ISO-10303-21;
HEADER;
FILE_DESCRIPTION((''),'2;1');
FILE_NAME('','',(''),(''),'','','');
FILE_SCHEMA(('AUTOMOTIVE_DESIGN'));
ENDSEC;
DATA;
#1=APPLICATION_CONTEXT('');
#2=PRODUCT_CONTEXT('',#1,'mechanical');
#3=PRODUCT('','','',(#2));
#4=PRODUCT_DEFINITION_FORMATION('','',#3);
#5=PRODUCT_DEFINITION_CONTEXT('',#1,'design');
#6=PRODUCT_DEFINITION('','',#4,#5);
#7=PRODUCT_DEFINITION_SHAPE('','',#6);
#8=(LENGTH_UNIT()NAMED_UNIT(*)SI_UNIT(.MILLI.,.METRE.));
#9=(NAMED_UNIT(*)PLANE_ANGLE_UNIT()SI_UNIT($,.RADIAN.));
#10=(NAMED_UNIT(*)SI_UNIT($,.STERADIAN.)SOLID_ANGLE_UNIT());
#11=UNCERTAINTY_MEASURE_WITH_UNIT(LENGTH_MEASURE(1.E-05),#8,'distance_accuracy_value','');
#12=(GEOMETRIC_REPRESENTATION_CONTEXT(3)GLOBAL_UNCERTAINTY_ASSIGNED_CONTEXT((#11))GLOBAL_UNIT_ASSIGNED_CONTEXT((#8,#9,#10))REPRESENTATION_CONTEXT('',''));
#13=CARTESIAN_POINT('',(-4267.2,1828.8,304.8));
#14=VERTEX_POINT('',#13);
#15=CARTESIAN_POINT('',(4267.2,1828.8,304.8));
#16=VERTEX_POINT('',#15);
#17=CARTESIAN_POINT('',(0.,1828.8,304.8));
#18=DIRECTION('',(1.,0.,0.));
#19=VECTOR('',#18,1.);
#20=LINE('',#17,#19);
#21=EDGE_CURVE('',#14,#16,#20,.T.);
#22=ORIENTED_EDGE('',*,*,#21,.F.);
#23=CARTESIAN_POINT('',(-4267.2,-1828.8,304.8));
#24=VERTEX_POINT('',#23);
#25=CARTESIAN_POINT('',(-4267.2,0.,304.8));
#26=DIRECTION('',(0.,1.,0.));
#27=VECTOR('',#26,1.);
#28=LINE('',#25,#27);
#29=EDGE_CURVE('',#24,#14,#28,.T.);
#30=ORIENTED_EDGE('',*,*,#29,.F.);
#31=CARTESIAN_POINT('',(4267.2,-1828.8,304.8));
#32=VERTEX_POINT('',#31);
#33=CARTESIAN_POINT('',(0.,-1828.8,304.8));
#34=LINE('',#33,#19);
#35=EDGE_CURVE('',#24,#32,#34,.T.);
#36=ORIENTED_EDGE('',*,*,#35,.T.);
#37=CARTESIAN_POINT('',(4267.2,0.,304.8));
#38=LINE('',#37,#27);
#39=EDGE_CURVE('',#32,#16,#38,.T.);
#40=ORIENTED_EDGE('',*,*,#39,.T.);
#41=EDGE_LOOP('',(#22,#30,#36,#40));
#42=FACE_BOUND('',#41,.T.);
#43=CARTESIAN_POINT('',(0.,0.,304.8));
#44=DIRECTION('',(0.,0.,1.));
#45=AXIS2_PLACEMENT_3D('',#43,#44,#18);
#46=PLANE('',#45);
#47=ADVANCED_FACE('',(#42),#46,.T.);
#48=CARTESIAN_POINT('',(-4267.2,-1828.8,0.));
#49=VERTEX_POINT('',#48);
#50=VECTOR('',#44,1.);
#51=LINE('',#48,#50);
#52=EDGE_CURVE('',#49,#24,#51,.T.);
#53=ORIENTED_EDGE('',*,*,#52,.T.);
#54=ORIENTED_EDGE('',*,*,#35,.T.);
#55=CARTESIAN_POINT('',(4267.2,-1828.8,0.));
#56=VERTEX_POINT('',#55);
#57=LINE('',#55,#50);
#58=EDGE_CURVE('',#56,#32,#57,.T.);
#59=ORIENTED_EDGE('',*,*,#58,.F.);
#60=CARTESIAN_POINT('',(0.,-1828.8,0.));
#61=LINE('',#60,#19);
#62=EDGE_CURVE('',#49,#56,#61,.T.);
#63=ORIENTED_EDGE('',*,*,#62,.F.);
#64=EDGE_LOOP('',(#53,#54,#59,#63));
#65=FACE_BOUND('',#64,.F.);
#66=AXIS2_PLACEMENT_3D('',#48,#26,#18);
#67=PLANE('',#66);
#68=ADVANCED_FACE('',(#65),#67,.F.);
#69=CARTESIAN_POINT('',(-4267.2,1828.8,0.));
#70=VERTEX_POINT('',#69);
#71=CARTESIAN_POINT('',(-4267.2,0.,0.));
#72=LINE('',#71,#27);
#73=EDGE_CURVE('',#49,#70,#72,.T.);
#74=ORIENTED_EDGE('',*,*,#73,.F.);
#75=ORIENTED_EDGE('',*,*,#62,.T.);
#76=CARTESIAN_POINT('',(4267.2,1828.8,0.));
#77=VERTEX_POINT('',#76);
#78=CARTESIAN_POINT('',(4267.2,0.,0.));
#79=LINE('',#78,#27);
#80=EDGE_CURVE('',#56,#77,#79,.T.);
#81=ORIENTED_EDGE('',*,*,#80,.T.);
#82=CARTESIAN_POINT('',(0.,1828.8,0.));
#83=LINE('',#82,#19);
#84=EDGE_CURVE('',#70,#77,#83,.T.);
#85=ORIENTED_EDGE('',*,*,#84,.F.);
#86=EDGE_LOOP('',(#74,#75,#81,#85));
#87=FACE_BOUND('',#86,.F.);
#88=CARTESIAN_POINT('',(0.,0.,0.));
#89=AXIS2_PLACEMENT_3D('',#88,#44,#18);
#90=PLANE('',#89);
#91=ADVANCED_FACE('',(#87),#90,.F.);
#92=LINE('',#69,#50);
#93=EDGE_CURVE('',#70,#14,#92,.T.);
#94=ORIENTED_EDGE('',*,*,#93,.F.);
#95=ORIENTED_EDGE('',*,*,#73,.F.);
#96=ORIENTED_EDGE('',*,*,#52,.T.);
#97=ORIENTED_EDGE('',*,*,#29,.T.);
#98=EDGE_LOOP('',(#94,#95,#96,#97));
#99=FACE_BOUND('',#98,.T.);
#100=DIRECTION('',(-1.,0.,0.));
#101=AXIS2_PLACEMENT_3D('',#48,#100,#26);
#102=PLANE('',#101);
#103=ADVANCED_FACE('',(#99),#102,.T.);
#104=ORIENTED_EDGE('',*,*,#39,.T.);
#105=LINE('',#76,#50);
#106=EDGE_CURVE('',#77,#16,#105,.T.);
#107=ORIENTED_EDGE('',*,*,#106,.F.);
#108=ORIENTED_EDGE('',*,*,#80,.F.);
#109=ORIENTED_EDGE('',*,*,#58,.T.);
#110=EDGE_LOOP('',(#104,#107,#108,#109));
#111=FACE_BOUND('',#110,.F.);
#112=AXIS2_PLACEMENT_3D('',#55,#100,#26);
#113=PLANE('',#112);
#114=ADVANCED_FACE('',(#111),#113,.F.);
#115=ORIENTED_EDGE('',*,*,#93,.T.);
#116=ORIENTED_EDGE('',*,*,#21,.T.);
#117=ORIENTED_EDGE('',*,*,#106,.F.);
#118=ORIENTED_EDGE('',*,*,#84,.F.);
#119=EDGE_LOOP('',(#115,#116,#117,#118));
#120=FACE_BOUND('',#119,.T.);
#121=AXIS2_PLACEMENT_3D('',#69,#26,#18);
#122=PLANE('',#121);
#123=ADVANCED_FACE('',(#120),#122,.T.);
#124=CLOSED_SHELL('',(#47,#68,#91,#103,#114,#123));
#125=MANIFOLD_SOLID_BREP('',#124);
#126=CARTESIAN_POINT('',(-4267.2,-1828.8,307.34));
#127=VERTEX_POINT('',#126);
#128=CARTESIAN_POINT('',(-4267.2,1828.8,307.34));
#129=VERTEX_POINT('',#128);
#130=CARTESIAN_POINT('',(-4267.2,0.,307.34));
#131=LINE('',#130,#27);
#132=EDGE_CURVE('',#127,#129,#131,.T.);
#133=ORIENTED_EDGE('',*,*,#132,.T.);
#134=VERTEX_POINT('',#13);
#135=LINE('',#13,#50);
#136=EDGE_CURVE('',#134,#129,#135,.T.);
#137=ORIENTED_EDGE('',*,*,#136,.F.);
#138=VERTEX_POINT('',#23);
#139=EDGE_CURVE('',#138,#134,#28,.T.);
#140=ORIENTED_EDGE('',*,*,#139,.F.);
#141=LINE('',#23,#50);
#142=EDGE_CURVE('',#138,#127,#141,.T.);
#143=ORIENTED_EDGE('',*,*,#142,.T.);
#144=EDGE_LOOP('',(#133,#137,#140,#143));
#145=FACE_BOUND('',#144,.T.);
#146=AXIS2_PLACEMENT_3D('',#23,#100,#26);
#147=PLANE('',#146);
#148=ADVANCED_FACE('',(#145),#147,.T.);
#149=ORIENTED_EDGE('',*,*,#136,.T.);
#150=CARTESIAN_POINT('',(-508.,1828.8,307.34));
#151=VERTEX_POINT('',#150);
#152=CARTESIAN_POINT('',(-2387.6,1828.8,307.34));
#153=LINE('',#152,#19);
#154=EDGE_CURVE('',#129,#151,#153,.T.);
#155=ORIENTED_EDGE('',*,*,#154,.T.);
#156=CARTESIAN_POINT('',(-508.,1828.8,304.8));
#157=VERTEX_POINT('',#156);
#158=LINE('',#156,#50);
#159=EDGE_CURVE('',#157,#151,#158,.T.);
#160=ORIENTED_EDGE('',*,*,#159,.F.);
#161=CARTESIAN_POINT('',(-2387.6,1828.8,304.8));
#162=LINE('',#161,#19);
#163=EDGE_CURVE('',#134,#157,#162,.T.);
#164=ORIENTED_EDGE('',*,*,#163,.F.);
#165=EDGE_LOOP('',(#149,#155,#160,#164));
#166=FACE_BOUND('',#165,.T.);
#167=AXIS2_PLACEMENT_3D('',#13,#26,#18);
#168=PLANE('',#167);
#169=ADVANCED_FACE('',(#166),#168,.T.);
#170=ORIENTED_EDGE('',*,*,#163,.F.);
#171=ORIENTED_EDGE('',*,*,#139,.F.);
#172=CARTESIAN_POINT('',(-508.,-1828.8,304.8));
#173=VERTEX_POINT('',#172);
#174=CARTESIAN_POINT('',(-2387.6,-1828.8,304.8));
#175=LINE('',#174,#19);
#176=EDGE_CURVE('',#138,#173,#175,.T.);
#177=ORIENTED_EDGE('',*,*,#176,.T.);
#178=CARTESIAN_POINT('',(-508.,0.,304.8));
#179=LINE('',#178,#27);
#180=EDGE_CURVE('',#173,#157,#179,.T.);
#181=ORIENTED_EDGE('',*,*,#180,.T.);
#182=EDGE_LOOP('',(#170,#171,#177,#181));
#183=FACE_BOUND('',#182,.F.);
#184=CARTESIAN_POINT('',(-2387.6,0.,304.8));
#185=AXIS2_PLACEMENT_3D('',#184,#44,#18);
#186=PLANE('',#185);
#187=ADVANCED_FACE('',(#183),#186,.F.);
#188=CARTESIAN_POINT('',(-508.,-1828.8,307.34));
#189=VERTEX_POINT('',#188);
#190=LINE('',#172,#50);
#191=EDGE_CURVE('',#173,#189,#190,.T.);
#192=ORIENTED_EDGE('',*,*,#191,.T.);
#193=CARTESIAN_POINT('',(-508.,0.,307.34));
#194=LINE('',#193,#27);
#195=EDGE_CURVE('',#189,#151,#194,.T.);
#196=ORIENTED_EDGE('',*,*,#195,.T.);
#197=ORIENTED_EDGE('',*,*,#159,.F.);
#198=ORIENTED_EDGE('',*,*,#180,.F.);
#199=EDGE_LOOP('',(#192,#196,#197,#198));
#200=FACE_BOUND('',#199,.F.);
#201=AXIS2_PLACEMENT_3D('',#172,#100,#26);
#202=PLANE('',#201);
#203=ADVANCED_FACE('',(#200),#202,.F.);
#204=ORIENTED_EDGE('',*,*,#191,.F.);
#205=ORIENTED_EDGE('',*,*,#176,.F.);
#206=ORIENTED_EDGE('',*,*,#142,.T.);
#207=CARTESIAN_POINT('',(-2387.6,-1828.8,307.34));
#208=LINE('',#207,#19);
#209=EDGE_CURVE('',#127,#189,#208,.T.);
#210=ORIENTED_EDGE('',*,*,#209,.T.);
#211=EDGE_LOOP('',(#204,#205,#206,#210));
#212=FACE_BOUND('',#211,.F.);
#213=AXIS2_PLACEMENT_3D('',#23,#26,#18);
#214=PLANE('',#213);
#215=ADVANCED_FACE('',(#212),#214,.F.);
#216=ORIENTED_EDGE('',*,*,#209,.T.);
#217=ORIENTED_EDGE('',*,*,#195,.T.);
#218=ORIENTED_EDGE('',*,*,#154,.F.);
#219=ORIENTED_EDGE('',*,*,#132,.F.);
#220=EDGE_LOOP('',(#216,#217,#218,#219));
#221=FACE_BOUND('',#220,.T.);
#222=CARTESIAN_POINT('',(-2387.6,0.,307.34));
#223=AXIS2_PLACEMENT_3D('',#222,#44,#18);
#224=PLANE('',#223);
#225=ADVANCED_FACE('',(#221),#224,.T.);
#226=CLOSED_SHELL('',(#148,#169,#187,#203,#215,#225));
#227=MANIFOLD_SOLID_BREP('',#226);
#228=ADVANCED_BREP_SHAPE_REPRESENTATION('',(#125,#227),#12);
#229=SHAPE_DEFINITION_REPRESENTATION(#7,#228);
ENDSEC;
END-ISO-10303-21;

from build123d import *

# Parameters (mm, degrees)
F0_W     = 8534.4
F0_H     = 3657.6
F1_DEPTH = 304.8
F2_W     = 3759.2
F2_H     = 3657.6
F3_DEPTH = 2.54


with BuildPart() as f1:
    # F0 (on Top) → F1 (new body)
    with BuildSketch(Plane.XY):
        Rectangle(F0_W, F0_H)
    extrude(amount=F1_DEPTH)


with BuildPart() as f3:
    # F2 (on face) → F3 (new body)
    with BuildSketch(Plane.XY.offset(304.8)):
        with Locations((-2387.6, 0)):
            Rectangle(F2_W, F2_H)
    extrude(amount=F3_DEPTH)


solid = Compound([f1.part, f3.part])
